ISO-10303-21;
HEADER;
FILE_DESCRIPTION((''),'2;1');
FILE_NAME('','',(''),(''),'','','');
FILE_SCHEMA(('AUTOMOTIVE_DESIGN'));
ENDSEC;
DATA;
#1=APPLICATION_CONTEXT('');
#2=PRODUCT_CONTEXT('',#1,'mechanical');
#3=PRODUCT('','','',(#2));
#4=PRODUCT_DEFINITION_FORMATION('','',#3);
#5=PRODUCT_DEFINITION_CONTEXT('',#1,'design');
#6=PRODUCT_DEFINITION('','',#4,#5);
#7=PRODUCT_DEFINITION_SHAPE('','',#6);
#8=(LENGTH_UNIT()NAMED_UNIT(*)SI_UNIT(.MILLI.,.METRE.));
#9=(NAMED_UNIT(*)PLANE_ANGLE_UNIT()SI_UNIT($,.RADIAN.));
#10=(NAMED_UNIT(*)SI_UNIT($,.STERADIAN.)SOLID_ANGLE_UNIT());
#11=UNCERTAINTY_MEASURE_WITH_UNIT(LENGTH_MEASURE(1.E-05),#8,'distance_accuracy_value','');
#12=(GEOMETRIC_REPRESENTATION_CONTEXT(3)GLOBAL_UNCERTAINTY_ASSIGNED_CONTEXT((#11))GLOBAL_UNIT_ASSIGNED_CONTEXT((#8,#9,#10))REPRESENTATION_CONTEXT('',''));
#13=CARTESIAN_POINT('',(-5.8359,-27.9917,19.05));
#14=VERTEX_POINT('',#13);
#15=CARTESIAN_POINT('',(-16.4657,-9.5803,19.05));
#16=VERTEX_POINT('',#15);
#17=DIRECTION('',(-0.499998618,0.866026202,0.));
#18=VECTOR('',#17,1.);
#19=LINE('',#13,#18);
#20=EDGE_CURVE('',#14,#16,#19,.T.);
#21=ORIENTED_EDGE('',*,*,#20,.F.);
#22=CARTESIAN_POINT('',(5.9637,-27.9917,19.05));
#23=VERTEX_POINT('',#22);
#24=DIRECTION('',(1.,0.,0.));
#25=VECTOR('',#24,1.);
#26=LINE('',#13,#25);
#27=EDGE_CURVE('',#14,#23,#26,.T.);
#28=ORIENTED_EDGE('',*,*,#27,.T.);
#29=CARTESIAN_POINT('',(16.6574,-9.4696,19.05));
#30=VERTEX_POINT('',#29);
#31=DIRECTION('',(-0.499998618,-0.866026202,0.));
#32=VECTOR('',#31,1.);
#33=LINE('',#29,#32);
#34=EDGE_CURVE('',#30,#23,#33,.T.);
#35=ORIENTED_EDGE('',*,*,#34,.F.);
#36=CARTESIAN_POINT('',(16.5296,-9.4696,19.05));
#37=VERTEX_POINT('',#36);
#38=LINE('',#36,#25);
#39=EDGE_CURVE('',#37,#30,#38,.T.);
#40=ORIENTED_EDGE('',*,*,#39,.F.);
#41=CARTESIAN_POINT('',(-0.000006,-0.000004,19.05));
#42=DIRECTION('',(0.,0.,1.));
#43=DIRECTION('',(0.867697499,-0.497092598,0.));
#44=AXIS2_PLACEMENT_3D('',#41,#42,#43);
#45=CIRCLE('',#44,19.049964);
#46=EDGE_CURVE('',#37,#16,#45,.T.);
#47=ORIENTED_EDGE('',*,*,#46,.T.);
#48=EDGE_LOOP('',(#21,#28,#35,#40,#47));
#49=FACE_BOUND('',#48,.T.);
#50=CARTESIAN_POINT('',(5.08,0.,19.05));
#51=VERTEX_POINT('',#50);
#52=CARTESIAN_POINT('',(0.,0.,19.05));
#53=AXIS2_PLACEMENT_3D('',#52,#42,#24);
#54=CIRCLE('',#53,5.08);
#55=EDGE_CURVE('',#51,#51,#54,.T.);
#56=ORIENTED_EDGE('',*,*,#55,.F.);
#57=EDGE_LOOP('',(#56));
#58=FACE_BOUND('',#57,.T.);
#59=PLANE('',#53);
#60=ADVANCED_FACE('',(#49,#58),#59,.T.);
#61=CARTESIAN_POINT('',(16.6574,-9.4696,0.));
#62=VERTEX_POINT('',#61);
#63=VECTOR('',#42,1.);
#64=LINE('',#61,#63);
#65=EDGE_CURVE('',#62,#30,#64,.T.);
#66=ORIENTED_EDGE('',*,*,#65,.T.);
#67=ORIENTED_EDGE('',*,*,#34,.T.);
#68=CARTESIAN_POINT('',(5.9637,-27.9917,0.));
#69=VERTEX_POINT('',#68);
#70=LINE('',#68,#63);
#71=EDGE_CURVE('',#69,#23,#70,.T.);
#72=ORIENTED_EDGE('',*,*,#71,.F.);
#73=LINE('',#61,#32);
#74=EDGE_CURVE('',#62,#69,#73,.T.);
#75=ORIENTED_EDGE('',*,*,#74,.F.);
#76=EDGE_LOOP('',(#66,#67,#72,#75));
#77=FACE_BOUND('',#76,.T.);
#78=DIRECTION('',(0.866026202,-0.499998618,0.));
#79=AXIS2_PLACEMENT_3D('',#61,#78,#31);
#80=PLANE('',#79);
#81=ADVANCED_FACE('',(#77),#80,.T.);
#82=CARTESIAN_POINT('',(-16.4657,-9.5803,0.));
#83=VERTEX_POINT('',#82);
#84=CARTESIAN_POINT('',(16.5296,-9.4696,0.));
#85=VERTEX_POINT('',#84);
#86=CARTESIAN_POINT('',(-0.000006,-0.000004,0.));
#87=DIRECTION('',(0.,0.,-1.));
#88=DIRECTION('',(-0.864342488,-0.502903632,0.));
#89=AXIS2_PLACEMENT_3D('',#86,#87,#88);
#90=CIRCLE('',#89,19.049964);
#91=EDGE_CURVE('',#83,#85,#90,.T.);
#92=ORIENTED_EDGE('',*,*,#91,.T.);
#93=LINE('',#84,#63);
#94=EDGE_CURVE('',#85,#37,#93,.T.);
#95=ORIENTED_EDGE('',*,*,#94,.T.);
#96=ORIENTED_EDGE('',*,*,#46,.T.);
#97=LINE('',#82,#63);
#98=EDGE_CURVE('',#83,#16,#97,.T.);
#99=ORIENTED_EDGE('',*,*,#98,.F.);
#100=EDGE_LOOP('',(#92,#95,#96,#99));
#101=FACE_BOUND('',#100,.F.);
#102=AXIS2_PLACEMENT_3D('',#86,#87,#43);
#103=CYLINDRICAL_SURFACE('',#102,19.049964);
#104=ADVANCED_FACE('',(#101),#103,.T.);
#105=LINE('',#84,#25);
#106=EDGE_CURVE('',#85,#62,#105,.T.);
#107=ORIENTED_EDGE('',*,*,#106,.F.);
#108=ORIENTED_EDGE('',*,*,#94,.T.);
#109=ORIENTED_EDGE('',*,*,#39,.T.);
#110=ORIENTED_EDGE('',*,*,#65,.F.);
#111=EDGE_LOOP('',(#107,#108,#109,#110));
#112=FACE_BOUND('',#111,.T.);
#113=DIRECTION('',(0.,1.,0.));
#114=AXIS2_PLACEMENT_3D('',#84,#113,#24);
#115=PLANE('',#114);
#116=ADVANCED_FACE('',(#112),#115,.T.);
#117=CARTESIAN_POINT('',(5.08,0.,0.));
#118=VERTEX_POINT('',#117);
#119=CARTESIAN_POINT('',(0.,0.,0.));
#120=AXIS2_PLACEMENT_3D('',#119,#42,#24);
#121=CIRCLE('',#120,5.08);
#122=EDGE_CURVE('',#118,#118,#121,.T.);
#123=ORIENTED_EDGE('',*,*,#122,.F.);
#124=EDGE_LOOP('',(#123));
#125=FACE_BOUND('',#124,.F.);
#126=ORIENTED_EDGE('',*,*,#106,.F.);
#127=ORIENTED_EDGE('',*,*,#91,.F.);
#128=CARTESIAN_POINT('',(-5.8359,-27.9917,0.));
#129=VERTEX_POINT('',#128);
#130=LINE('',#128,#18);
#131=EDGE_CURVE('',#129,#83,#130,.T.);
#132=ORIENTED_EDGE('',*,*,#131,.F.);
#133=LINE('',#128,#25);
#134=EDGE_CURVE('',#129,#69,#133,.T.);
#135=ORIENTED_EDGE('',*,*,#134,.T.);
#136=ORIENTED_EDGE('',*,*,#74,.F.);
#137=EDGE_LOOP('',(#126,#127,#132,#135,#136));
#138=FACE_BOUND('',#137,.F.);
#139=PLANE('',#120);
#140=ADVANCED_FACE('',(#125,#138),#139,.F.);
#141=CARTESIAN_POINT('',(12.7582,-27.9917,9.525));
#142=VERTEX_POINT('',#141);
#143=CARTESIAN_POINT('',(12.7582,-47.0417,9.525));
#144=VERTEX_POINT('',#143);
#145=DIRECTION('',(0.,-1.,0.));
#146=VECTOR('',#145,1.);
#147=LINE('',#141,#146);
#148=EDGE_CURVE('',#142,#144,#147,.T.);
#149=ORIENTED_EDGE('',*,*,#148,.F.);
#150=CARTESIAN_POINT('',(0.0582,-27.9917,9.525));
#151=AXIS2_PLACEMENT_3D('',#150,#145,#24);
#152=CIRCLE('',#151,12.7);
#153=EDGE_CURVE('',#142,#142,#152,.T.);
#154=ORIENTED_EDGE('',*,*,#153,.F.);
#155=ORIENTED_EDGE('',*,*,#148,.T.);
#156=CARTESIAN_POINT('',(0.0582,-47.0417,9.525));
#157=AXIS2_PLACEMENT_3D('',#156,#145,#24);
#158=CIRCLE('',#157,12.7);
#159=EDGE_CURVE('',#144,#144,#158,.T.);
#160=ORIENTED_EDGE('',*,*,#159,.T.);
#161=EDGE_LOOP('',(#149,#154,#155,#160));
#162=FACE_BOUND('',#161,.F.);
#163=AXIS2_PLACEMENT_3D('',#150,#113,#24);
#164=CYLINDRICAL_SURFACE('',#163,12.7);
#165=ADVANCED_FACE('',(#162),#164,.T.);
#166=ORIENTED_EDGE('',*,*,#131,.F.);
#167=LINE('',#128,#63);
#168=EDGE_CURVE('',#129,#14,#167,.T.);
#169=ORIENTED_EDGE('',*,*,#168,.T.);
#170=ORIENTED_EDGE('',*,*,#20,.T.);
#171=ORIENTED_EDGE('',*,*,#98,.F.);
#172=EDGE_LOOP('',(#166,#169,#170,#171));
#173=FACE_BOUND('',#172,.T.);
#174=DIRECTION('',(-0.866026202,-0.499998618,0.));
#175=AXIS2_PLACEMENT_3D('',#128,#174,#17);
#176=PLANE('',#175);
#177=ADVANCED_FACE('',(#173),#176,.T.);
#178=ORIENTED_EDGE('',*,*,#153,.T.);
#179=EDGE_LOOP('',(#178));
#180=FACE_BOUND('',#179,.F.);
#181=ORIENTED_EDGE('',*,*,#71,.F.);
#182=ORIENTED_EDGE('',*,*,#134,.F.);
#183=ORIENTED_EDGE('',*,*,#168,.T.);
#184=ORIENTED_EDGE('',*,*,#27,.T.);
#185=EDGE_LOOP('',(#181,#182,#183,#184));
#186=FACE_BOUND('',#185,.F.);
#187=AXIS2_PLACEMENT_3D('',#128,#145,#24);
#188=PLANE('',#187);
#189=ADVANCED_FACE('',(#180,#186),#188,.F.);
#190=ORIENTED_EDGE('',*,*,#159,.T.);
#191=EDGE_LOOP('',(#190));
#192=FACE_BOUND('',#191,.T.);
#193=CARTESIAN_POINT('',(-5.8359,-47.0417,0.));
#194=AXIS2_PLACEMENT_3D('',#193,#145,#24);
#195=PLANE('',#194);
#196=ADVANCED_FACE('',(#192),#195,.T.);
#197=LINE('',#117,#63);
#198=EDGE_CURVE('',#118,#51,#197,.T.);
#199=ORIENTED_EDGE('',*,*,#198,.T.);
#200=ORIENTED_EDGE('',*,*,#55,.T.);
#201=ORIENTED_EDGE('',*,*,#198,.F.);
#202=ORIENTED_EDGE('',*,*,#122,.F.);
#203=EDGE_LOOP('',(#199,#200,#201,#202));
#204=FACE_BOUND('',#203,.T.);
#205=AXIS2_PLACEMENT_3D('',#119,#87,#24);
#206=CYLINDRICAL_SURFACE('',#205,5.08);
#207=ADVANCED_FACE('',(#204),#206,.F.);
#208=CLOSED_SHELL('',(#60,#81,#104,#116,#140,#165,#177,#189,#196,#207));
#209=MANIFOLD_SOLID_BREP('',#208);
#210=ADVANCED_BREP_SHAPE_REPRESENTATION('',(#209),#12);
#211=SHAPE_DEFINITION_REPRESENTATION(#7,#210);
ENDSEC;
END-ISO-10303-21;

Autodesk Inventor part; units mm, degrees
ref_plane "YZ Plane" through (0, 0, 0) normal (1, 0, 0) x (0, 1, 0)
ref_plane "XZ Plane" through (0, 0, 0) normal (0, 1, 0) x (-1, 0, 0)
ref_plane "XY Plane" through (0, 0, 0) normal (0, 0, 1) x (1, 0, 0)
sketch "Sketch1" plane through (0, 0, 0) normal (0, 0, 1) x (1, 0, 0)
  arc A0 (16.5296, -9.4696) -> (-16.4657, -9.5803) centre (0, 0) ccw
  circle A1 centre (0, 0) radius 5.08
  line L0 (16.5296, -9.4696) -> (16.6574, -9.4696)
  line L1 (16.6574, -9.4696) -> (5.9637, -27.9917)
  line L2 (-5.8359, -27.9917) -> (-16.5296, -9.4696)
  line L3 (-5.8359, -27.9917) -> (5.9637, -27.9917)
  point P0 (0.0639, -19.0499)
  dimension "d0" = 38.1
  dimension "d1" = 10.16
extrude "Extrusion1" add sketch "Sketch1" along normal blind 19.05
sketch "Sketch2" plane through (-5.8359, -27.9917, 0) normal (0, -1, 0) x (1, 0, 0)
  circle A0 centre (5.8941, 9.525) radius 12.7
  line L0 (11.7996, 0) -> (11.7996, 19.05) projected
  line L1 (0, 0) -> (11.7996, 0) projected
  point P0 (5.8359, 0)
  dimension "d4" = 25.4
  dimension "d5" = 5.9055
  dimension "d6" = 9.525
extrude "Extrusion2" add sketch "Sketch2" along normal blind 19.05
properties part number "Load Notch Insert"
